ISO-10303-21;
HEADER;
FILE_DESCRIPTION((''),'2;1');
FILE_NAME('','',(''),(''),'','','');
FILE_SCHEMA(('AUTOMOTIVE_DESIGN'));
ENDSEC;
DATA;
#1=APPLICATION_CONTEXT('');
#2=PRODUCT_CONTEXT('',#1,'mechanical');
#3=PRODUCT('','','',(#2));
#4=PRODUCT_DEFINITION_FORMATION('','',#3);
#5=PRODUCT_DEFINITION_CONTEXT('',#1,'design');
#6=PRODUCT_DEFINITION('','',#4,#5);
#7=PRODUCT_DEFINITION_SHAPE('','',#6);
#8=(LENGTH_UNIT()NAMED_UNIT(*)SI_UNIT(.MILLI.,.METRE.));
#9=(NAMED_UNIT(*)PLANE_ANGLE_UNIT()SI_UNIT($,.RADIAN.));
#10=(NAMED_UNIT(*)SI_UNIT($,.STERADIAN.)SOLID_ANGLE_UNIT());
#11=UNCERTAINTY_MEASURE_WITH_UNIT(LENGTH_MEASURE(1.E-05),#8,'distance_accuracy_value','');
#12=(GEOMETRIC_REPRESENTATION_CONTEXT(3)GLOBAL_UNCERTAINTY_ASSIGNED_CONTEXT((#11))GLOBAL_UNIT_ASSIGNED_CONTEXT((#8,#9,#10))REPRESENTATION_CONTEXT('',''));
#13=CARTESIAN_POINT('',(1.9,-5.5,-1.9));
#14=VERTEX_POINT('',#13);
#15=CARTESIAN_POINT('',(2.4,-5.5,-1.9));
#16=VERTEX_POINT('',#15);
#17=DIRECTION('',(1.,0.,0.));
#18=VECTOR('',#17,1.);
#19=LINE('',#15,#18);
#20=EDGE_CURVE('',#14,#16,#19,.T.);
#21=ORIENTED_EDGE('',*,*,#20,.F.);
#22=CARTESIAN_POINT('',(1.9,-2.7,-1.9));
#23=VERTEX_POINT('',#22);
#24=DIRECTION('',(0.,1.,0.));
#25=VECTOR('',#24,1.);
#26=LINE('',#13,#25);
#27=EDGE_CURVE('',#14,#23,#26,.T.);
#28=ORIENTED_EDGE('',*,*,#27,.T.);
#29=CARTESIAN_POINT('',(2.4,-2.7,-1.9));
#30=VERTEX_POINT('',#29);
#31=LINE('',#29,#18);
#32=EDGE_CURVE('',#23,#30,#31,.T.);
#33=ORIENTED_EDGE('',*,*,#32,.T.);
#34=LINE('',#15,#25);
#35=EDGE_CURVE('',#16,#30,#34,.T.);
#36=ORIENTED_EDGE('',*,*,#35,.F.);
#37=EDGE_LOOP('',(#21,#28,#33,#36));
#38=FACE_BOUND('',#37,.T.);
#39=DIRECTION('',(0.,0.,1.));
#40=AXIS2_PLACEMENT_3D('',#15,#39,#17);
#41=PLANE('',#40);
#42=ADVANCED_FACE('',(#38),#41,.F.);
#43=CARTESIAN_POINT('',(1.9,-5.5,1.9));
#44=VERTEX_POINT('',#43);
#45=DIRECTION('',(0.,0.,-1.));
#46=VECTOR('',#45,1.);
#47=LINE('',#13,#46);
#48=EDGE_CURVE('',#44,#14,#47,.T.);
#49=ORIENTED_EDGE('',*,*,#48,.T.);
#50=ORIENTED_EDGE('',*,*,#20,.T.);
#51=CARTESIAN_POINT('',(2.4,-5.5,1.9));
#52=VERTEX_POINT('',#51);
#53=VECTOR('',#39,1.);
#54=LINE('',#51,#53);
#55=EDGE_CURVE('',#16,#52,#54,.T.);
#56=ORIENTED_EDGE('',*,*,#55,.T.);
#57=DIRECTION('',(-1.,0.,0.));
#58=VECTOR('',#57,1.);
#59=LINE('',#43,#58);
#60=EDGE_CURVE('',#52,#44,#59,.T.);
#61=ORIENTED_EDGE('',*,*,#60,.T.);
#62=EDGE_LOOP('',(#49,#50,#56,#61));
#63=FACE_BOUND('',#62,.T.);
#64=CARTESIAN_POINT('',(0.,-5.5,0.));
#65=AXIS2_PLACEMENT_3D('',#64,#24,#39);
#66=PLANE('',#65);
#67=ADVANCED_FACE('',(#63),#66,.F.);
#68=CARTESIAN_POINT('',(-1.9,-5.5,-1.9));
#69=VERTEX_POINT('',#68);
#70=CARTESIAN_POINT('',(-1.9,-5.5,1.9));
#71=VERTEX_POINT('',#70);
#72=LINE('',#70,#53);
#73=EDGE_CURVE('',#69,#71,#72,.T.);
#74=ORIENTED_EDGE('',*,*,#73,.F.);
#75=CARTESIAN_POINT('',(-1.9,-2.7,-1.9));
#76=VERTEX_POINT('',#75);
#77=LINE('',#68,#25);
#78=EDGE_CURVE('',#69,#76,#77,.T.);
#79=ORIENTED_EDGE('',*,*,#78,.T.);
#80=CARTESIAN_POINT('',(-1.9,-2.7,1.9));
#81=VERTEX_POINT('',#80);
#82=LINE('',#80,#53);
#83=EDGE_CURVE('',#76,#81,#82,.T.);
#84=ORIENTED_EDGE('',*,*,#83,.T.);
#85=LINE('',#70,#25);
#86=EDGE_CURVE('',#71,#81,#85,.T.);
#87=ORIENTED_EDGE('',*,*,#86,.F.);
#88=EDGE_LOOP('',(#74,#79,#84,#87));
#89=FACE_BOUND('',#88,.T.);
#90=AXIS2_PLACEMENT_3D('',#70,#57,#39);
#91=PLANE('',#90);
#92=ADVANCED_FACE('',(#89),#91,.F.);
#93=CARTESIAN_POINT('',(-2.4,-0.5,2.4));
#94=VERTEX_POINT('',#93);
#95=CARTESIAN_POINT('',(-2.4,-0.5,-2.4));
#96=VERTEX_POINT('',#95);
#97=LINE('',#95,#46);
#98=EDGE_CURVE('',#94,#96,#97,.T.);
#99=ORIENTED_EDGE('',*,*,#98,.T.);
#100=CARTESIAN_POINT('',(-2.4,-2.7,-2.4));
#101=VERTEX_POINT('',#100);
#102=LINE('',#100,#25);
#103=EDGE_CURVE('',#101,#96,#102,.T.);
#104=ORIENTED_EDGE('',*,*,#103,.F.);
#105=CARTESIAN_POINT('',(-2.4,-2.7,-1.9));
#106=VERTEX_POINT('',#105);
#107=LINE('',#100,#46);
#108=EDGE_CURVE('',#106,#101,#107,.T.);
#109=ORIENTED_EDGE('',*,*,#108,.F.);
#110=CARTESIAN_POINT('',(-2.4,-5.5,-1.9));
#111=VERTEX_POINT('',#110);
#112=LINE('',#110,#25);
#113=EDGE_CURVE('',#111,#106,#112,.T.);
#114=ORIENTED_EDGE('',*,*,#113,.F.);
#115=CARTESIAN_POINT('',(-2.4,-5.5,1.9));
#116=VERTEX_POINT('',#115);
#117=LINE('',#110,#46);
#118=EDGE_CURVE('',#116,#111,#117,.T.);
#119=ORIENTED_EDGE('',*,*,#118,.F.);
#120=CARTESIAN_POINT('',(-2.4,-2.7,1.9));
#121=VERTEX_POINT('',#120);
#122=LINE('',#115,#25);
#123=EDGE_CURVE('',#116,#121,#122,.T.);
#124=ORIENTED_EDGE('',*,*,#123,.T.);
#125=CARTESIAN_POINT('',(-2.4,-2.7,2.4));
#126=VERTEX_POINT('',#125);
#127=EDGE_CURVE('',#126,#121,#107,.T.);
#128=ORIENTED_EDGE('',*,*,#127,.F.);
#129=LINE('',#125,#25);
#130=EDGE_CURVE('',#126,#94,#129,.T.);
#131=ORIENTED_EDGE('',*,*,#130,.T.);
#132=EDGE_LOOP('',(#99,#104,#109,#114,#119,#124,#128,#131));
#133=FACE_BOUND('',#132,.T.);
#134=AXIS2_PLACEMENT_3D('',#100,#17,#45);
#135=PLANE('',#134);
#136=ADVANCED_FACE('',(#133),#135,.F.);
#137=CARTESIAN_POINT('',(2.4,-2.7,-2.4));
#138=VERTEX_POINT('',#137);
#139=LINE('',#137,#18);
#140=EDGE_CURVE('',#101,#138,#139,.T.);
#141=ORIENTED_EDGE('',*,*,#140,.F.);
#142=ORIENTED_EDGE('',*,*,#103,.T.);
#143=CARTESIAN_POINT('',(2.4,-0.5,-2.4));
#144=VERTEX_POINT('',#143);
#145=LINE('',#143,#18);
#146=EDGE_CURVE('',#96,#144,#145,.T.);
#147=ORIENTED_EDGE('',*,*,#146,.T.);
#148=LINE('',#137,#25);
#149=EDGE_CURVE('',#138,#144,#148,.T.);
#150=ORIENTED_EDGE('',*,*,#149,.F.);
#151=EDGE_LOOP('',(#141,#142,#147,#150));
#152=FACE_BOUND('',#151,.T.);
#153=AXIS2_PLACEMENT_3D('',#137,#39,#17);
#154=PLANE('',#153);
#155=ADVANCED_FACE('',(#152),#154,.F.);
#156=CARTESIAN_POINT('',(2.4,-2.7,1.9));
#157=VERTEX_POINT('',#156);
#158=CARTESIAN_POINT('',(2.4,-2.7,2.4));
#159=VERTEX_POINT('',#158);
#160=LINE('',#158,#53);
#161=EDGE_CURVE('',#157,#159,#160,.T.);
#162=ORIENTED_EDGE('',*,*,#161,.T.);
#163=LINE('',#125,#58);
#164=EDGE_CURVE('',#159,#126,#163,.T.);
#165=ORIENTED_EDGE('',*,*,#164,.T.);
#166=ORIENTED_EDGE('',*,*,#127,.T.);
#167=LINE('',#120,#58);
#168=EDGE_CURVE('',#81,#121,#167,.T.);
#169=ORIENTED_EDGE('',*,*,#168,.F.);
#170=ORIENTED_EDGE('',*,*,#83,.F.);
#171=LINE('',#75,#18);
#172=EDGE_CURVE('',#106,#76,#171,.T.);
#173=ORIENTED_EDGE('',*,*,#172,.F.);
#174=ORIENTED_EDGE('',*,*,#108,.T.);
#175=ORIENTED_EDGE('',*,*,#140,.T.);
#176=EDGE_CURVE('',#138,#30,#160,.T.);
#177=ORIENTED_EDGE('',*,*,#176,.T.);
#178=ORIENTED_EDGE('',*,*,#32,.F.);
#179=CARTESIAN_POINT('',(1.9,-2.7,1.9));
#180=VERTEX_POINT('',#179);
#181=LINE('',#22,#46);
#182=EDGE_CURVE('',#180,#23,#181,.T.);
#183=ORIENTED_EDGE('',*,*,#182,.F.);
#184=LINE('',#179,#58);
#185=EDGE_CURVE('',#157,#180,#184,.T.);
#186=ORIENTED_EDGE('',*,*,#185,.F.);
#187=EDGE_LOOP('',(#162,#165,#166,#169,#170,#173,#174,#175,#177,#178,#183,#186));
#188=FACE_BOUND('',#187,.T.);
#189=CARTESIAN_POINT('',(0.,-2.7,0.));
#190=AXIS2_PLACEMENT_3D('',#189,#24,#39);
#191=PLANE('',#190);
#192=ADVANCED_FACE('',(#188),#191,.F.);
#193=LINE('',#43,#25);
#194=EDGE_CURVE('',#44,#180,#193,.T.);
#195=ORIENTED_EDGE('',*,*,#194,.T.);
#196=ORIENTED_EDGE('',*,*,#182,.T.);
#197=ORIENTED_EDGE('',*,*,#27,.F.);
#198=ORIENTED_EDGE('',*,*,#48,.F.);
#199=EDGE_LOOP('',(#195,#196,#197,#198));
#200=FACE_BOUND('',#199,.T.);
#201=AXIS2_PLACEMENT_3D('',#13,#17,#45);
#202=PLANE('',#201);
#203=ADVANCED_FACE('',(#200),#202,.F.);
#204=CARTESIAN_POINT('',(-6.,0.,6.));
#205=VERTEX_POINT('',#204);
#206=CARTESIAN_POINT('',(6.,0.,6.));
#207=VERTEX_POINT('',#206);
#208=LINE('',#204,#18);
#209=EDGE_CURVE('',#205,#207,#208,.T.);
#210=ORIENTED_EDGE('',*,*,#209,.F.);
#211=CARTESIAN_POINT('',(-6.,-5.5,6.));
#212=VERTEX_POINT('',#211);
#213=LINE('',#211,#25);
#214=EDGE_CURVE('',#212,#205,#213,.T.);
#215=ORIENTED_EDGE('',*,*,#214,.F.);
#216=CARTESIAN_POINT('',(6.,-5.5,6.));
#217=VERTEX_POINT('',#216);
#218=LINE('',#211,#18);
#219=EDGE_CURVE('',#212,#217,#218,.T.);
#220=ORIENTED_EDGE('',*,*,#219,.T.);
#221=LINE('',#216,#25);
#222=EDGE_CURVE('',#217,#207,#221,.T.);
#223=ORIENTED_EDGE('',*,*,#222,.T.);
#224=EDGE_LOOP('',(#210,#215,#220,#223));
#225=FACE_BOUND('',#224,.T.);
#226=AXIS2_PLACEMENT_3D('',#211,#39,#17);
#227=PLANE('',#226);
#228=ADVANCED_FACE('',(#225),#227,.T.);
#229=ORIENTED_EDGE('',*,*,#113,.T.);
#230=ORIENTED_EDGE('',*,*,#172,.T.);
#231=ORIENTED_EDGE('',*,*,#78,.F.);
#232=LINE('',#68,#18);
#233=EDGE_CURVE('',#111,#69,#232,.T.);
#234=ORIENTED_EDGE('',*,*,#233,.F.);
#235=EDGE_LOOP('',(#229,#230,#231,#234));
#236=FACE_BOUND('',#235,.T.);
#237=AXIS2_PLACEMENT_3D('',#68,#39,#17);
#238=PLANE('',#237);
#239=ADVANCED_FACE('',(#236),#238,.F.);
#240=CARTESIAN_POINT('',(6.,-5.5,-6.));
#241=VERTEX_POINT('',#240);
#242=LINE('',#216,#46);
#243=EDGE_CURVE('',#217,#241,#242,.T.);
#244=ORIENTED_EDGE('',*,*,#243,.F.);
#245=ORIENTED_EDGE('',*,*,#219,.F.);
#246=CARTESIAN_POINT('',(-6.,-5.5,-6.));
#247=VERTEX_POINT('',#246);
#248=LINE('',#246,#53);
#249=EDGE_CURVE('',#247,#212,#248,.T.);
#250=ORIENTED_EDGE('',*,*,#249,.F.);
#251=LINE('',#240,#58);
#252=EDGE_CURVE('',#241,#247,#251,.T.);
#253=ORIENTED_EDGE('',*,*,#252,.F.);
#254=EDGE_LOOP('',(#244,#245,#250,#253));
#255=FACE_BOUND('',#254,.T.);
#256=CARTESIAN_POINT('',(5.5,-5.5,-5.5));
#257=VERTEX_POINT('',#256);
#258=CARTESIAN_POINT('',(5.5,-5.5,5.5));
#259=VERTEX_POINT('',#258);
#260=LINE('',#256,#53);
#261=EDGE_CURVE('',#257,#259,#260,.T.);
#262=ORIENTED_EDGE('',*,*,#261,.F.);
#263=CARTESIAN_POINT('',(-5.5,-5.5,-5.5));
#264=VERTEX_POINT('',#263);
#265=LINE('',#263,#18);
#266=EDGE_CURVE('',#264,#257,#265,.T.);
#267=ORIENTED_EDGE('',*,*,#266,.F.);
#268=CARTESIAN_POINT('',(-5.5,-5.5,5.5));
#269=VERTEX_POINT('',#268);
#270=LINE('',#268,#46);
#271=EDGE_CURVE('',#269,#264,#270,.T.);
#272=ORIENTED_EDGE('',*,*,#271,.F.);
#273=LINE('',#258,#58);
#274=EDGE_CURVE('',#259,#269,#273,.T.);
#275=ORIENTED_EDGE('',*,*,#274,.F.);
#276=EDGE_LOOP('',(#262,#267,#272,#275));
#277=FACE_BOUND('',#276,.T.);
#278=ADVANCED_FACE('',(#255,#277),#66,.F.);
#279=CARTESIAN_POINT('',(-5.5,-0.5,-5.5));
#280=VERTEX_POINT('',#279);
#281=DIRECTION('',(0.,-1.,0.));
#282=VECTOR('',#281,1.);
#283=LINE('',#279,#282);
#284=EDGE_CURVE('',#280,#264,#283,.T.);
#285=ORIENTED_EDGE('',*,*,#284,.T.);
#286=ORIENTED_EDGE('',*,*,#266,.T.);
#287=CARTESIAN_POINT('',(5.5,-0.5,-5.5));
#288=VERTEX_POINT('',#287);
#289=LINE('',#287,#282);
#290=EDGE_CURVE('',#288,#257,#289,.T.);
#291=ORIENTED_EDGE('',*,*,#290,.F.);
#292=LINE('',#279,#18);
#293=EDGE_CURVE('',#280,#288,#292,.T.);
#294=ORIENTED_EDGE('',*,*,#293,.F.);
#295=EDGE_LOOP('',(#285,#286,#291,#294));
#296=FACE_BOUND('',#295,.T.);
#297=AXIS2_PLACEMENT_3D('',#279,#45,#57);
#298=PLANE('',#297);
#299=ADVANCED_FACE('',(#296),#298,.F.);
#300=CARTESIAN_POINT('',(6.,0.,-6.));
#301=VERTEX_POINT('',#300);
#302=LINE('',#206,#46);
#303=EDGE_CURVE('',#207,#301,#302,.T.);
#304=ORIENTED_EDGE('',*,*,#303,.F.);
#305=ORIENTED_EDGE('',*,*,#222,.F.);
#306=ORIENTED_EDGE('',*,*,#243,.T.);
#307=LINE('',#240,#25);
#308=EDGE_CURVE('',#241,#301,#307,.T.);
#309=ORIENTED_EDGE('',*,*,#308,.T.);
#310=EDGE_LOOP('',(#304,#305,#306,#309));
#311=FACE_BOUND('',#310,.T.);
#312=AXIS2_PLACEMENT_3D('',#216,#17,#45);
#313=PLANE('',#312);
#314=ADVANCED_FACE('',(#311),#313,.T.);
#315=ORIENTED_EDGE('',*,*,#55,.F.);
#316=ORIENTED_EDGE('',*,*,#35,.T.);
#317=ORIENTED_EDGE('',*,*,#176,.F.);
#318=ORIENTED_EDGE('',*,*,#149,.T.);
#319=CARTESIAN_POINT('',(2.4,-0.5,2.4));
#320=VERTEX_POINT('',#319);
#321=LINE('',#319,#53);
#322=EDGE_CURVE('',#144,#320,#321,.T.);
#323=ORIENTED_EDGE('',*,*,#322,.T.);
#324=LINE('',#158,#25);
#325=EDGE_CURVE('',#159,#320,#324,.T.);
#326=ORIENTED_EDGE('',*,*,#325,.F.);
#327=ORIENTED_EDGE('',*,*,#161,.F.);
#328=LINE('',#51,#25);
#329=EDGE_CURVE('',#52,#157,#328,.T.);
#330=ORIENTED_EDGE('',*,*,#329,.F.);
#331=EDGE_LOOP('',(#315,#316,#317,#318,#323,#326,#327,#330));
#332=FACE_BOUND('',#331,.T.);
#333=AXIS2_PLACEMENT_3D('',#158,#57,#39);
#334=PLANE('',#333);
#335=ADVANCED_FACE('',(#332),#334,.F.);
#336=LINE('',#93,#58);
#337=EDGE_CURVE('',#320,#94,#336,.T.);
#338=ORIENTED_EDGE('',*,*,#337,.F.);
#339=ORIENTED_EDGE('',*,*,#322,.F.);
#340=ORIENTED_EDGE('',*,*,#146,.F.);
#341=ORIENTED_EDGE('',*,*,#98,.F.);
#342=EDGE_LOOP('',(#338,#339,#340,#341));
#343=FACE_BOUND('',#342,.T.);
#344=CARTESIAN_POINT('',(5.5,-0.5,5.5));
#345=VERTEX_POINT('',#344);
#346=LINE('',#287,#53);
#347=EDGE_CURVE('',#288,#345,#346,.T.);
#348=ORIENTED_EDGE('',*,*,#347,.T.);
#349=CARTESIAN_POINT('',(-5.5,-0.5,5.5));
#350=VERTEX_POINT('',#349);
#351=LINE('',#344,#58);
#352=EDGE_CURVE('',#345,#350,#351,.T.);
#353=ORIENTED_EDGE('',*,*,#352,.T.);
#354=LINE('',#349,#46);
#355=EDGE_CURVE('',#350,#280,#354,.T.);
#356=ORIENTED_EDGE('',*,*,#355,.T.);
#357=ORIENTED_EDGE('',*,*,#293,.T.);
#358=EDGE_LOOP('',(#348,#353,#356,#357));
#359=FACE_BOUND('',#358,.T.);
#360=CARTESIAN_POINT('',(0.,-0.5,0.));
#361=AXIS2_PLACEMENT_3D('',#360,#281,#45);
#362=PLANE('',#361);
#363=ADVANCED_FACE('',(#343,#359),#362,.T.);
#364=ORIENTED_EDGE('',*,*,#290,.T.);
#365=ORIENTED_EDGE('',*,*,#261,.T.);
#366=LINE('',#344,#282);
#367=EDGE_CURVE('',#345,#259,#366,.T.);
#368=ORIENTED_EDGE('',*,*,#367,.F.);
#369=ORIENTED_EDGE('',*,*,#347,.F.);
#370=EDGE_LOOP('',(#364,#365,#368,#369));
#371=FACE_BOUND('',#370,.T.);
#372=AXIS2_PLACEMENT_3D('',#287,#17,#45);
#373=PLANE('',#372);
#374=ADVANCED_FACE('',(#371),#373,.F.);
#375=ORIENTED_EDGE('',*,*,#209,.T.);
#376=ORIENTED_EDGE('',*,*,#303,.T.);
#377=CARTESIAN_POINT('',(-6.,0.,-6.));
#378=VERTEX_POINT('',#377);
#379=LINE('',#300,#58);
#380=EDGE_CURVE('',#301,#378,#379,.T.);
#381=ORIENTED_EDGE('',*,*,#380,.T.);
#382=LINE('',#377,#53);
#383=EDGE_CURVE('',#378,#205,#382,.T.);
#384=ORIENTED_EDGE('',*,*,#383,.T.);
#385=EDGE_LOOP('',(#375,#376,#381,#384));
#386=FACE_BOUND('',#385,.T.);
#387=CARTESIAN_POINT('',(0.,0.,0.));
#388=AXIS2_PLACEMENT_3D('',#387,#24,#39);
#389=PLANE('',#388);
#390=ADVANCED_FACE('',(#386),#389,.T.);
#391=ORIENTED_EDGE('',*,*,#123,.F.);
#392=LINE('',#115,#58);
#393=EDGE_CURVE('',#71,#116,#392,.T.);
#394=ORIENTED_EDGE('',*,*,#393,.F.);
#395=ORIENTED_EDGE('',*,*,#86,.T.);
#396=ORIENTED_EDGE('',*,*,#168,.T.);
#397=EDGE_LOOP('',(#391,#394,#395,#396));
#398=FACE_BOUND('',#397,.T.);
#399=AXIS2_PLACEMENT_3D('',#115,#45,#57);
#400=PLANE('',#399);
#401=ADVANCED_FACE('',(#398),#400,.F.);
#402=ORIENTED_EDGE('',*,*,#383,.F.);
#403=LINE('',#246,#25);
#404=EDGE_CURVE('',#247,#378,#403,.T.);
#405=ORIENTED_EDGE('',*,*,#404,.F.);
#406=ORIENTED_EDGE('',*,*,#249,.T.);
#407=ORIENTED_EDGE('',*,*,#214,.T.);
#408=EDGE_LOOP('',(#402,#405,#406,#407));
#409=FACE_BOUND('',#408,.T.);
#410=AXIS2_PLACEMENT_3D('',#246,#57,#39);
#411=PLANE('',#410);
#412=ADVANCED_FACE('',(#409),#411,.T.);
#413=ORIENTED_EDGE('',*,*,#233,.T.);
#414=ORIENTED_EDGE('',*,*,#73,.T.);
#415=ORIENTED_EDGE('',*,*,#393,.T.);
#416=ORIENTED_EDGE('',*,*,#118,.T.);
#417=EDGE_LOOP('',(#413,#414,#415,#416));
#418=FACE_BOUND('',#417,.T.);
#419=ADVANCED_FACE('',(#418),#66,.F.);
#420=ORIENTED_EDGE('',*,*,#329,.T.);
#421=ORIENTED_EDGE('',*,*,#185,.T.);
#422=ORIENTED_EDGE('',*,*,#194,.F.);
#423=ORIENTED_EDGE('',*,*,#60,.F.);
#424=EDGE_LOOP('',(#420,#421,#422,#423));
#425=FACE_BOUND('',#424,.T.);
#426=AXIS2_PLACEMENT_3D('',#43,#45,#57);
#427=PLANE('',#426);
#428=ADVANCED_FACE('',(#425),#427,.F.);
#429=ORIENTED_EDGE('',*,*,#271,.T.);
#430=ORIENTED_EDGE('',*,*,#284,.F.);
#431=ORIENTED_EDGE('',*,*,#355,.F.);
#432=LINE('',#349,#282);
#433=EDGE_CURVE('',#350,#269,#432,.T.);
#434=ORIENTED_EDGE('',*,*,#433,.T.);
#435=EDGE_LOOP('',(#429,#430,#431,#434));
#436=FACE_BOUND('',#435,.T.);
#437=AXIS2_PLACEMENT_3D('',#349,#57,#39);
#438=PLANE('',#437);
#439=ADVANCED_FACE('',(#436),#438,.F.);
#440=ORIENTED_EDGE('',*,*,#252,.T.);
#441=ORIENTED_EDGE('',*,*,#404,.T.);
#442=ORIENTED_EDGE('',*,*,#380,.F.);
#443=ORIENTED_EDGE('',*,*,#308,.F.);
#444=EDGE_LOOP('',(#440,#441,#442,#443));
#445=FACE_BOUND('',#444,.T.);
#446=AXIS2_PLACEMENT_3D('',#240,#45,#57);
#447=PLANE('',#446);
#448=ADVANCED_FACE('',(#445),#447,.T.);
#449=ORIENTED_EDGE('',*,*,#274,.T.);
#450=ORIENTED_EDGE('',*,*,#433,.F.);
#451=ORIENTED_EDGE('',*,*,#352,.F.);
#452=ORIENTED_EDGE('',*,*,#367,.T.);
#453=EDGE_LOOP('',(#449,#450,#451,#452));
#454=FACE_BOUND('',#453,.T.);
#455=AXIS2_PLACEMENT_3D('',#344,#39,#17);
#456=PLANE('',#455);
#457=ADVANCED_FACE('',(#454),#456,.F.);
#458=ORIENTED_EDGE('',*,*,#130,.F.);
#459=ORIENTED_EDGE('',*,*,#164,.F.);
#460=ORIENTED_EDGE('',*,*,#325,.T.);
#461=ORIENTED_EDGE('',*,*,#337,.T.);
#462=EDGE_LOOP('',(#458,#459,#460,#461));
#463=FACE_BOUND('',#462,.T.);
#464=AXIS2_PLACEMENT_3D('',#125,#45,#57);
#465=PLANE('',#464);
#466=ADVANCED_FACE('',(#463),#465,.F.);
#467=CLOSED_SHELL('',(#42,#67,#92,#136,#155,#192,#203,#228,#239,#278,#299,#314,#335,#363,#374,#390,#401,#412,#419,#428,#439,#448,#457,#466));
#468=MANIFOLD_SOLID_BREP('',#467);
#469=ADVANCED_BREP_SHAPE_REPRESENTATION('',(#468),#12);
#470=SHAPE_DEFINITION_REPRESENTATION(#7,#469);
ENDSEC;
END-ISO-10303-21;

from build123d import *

# Parameters (mm, degrees)
SKETCH1_W           = 12
SKETCH1_H           = 12
BOSS_EXTRUDE1_DEPTH = 5.5
SKETCH2_W           = 11
SKETCH2_H           = 11
CUT_EXTRUDE1_DEPTH  = 5
SKETCH3_W           = 4.8
SKETCH3_H           = 4.8
BOSS_EXTRUDE2_DEPTH = 2.2
SKETCH4_W           = 0.5
SKETCH4_H           = 3.8
BOSS_EXTRUDE3_DEPTH = 2.8
SKETCH5_W           = 0.5
SKETCH5_H           = 3.8
BOSS_EXTRUDE4_DEPTH = 2.8


with BuildPart() as part:
    # Sketch1 → Boss-Extrude1 (new body)
    with BuildSketch(Plane(origin=(0, 0, 0), x_dir=(1, 0, 0), z_dir=(0, 1, 0))):
        Rectangle(SKETCH1_W, SKETCH1_H)
    extrude(amount=-BOSS_EXTRUDE1_DEPTH)

    # Sketch2 → Cut-Extrude1 (cut)
    with BuildSketch(Plane.XZ.offset(5.5)):
        Rectangle(SKETCH2_W, SKETCH2_H)
    extrude(amount=-CUT_EXTRUDE1_DEPTH, mode=Mode.SUBTRACT)

    # Sketch3 → Boss-Extrude2 (add)
    with BuildSketch(Plane.XZ.offset(0.5)):
        Rectangle(SKETCH3_W, SKETCH3_H)
    extrude(amount=BOSS_EXTRUDE2_DEPTH)

    # Sketch4 → Boss-Extrude3 (add)
    with BuildSketch(Plane.XZ.offset(2.7)):
        with Locations((-2.15, 0)):
            Rectangle(SKETCH4_W, SKETCH4_H)
    extrude(amount=BOSS_EXTRUDE3_DEPTH)

    # Sketch5 → Boss-Extrude4 (add)
    with BuildSketch(Plane.XZ.offset(2.7)):
        with Locations((2.15, 0)):
            Rectangle(SKETCH5_W, SKETCH5_H)
    extrude(amount=BOSS_EXTRUDE4_DEPTH)


solid = part.part
